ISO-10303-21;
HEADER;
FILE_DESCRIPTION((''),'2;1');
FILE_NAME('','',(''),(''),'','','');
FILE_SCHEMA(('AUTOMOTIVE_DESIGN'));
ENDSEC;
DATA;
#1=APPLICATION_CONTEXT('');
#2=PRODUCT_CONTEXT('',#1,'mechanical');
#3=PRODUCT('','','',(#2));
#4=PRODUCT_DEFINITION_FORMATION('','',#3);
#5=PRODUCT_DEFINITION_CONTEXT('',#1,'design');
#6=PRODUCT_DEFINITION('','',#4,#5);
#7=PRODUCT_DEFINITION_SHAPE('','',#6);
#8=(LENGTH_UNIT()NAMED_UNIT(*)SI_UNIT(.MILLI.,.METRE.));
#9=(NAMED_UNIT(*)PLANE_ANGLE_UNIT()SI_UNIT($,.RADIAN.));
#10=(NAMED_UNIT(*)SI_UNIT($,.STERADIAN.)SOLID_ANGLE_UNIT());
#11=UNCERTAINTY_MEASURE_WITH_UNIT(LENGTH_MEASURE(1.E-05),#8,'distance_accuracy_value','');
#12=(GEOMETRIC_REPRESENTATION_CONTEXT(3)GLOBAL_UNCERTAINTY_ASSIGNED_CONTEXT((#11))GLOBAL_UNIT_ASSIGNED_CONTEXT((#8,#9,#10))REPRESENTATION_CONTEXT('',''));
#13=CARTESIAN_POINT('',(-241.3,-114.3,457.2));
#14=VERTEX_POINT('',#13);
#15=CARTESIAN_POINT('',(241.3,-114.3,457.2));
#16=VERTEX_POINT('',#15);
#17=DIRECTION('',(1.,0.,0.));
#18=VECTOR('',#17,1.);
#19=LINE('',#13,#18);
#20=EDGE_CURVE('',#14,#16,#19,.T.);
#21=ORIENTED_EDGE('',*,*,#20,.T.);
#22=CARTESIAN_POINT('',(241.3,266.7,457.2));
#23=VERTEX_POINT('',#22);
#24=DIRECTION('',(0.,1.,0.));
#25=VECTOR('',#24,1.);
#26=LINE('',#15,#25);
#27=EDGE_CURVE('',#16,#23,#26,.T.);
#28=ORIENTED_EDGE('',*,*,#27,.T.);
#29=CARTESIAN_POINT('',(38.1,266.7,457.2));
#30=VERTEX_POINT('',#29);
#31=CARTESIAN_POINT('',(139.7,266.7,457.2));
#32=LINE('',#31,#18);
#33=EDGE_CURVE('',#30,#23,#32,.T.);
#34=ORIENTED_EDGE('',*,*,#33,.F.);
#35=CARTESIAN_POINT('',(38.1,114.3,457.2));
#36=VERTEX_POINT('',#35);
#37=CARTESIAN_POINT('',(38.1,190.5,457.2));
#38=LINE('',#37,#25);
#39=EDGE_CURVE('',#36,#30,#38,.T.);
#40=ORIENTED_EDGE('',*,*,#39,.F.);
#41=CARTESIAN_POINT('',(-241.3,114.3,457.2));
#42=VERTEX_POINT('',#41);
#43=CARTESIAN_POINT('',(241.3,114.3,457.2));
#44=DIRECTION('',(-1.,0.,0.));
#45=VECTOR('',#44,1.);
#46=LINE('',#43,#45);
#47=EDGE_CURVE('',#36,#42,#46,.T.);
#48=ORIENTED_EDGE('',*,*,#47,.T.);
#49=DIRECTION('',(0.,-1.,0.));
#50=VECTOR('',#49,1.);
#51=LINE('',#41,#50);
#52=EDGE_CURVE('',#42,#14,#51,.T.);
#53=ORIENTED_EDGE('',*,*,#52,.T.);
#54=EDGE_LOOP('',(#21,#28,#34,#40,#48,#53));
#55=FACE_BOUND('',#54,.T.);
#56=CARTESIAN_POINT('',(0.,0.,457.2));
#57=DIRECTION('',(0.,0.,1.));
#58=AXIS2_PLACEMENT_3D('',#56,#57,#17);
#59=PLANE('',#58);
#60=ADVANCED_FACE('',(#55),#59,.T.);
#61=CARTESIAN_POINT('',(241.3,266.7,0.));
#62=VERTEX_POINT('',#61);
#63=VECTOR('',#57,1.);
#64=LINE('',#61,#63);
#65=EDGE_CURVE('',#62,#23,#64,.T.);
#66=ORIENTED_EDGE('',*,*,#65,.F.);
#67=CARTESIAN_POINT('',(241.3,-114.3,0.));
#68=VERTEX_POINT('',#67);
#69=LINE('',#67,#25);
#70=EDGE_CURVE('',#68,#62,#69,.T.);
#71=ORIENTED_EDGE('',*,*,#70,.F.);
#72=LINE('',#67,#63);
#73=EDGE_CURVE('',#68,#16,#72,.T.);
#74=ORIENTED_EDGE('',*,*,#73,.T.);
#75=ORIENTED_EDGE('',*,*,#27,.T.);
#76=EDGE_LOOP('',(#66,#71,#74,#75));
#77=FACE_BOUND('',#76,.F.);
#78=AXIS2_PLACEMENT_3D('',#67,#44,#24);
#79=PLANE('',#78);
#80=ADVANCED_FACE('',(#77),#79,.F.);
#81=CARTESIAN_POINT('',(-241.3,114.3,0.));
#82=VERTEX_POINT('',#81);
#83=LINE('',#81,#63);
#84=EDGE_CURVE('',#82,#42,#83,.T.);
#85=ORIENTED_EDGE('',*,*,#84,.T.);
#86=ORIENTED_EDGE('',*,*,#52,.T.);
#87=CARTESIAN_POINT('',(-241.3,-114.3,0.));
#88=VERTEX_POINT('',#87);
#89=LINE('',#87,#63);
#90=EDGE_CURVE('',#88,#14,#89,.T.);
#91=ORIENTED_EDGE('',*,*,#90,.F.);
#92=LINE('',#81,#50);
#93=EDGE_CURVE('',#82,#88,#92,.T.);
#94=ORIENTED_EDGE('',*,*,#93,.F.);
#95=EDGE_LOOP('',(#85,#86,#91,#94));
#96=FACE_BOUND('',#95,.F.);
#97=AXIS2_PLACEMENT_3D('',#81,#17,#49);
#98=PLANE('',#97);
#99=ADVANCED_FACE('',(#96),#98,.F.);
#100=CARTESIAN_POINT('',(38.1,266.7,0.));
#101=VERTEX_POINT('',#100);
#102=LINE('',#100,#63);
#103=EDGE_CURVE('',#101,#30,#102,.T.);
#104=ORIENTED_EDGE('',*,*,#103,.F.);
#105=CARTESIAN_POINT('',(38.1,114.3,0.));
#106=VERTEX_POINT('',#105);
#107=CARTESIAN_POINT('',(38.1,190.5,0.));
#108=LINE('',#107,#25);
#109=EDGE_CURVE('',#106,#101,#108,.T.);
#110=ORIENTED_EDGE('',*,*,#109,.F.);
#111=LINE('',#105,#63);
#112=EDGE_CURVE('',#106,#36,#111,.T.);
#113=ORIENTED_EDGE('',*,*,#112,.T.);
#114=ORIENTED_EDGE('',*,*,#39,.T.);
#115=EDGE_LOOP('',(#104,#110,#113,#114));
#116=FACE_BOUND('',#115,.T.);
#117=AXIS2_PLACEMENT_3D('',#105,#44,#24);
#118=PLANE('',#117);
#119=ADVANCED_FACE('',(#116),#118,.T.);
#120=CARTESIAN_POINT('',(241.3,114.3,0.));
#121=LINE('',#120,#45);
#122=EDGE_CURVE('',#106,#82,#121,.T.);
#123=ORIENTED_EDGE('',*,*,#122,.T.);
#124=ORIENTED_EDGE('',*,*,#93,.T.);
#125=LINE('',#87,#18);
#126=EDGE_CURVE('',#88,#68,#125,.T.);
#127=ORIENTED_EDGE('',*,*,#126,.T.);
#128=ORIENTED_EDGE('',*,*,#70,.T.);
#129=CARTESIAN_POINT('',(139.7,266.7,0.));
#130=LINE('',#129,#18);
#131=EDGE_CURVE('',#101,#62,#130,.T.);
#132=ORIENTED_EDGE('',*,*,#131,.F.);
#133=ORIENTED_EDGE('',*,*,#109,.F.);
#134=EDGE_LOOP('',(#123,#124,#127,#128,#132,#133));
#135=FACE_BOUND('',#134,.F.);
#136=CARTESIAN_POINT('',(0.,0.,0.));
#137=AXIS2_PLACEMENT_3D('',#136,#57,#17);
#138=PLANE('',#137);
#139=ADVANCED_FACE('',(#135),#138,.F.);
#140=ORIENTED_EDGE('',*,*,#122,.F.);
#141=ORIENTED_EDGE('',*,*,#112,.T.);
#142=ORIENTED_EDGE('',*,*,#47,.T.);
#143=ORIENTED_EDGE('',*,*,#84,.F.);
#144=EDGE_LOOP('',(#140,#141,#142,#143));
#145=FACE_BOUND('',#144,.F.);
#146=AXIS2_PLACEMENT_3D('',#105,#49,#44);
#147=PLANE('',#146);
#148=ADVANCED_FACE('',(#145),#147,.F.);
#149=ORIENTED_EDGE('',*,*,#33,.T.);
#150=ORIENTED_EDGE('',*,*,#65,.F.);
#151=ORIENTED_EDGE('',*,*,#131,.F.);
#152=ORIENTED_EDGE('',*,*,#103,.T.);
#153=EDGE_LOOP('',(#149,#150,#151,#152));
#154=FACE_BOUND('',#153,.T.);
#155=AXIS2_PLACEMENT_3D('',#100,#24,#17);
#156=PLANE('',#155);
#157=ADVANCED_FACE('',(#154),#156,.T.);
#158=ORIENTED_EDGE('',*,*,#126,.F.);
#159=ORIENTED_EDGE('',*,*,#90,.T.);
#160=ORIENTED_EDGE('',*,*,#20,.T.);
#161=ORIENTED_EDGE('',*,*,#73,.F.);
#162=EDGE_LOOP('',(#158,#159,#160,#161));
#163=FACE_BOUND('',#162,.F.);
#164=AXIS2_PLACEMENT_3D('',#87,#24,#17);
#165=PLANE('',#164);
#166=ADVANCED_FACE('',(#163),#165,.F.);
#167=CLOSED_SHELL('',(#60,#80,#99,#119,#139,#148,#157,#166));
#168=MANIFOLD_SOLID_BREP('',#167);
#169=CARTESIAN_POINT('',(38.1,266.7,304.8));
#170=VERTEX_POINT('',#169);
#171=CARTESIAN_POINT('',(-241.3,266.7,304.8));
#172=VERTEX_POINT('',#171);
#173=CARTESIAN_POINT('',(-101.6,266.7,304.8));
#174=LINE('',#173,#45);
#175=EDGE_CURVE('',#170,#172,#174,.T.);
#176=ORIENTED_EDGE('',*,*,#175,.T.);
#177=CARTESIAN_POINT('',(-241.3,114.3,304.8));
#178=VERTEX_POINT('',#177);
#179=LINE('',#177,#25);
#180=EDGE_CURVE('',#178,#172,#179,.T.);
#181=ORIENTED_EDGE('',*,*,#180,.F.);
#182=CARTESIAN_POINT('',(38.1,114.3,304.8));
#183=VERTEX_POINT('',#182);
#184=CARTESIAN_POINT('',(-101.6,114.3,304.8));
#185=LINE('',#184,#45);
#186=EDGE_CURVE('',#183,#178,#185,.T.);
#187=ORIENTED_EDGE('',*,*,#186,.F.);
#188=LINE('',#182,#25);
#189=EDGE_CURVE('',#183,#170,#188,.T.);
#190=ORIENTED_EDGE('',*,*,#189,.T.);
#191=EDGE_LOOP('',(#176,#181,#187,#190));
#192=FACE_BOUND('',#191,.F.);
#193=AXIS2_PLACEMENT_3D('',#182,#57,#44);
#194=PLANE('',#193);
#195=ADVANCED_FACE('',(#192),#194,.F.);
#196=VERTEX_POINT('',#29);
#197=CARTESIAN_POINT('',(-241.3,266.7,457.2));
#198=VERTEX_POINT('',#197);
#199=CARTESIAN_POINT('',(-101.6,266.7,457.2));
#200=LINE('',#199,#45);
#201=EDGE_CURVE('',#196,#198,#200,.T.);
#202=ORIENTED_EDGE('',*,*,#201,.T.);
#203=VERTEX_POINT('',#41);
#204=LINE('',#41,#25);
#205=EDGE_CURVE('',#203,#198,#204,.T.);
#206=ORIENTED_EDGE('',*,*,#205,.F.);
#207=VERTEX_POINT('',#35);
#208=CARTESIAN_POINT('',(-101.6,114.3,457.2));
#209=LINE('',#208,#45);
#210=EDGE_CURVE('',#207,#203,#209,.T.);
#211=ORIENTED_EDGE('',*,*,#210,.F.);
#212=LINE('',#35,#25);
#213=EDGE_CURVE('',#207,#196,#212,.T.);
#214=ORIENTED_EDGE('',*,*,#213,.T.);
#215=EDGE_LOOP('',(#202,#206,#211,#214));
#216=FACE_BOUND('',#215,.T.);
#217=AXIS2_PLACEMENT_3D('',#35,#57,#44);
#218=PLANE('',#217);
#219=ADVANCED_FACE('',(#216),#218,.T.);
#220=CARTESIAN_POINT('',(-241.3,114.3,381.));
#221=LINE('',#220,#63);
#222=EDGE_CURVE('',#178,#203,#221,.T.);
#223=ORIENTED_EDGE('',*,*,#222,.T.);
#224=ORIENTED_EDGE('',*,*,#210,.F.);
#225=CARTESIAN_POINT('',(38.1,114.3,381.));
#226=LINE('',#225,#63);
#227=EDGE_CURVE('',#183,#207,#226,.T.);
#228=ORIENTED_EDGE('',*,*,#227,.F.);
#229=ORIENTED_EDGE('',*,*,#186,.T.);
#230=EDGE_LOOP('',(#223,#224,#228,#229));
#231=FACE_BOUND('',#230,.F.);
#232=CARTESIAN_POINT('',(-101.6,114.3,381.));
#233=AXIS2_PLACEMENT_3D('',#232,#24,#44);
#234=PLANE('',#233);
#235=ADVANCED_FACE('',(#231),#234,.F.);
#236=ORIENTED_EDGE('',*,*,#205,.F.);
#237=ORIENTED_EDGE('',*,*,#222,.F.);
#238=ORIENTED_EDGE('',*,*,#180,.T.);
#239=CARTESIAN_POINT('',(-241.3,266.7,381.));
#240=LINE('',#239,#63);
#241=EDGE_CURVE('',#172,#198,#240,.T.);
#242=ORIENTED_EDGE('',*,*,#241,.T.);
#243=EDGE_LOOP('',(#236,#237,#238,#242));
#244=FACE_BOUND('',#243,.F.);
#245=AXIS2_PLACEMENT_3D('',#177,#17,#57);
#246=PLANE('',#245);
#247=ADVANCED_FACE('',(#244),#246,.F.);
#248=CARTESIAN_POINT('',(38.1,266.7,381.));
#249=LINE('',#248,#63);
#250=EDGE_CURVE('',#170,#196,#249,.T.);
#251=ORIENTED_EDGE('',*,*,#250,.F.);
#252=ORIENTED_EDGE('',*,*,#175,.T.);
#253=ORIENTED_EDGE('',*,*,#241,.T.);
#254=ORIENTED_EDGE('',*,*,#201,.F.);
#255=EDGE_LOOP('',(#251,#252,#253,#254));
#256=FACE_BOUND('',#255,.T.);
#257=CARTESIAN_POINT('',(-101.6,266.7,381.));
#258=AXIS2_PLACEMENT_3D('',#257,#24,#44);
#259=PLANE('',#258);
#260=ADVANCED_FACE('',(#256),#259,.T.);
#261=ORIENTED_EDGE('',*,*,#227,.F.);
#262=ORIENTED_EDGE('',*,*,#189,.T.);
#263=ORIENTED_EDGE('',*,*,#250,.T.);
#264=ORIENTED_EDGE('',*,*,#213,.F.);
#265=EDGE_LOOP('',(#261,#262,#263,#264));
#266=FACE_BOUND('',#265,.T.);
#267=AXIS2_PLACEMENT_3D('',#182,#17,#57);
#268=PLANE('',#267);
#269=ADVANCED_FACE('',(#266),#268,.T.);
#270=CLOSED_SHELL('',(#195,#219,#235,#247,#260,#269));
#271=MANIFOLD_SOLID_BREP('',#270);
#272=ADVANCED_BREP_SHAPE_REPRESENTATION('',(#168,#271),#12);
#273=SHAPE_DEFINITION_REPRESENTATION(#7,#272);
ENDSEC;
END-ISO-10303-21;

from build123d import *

# Parameters (mm, degrees)
F0_W     = 203.2
F0_H     = 152.4
F1_DEPTH = 457.2
F2_W     = 279.4
F2_H     = 152.4
F3_DEPTH = 152.4


with BuildPart() as f1:
    # F0 (on Top) → F1 (new body)
    with BuildSketch(Plane.XY):
        Polygon((38.1, 114.3), (-241.3, 114.3), (-241.3, -114.3), (241.3, -114.3), (241.3, 114.3), align=None)
        with Locations((139.7, 190.5)):
            Rectangle(F0_W, F0_H)
    extrude(amount=F1_DEPTH)


with BuildPart() as f3:
    # F2 (on face) → F3 (new body)
    with BuildSketch(Plane(origin=(0, 114.3, 0), x_dir=(-1, 0, 0), z_dir=(0, 1, 0))):
        with Locations((101.6, 381)):
            Rectangle(F2_W, F2_H)
    extrude(amount=F3_DEPTH)


solid = Compound([f1.part, f3.part])
